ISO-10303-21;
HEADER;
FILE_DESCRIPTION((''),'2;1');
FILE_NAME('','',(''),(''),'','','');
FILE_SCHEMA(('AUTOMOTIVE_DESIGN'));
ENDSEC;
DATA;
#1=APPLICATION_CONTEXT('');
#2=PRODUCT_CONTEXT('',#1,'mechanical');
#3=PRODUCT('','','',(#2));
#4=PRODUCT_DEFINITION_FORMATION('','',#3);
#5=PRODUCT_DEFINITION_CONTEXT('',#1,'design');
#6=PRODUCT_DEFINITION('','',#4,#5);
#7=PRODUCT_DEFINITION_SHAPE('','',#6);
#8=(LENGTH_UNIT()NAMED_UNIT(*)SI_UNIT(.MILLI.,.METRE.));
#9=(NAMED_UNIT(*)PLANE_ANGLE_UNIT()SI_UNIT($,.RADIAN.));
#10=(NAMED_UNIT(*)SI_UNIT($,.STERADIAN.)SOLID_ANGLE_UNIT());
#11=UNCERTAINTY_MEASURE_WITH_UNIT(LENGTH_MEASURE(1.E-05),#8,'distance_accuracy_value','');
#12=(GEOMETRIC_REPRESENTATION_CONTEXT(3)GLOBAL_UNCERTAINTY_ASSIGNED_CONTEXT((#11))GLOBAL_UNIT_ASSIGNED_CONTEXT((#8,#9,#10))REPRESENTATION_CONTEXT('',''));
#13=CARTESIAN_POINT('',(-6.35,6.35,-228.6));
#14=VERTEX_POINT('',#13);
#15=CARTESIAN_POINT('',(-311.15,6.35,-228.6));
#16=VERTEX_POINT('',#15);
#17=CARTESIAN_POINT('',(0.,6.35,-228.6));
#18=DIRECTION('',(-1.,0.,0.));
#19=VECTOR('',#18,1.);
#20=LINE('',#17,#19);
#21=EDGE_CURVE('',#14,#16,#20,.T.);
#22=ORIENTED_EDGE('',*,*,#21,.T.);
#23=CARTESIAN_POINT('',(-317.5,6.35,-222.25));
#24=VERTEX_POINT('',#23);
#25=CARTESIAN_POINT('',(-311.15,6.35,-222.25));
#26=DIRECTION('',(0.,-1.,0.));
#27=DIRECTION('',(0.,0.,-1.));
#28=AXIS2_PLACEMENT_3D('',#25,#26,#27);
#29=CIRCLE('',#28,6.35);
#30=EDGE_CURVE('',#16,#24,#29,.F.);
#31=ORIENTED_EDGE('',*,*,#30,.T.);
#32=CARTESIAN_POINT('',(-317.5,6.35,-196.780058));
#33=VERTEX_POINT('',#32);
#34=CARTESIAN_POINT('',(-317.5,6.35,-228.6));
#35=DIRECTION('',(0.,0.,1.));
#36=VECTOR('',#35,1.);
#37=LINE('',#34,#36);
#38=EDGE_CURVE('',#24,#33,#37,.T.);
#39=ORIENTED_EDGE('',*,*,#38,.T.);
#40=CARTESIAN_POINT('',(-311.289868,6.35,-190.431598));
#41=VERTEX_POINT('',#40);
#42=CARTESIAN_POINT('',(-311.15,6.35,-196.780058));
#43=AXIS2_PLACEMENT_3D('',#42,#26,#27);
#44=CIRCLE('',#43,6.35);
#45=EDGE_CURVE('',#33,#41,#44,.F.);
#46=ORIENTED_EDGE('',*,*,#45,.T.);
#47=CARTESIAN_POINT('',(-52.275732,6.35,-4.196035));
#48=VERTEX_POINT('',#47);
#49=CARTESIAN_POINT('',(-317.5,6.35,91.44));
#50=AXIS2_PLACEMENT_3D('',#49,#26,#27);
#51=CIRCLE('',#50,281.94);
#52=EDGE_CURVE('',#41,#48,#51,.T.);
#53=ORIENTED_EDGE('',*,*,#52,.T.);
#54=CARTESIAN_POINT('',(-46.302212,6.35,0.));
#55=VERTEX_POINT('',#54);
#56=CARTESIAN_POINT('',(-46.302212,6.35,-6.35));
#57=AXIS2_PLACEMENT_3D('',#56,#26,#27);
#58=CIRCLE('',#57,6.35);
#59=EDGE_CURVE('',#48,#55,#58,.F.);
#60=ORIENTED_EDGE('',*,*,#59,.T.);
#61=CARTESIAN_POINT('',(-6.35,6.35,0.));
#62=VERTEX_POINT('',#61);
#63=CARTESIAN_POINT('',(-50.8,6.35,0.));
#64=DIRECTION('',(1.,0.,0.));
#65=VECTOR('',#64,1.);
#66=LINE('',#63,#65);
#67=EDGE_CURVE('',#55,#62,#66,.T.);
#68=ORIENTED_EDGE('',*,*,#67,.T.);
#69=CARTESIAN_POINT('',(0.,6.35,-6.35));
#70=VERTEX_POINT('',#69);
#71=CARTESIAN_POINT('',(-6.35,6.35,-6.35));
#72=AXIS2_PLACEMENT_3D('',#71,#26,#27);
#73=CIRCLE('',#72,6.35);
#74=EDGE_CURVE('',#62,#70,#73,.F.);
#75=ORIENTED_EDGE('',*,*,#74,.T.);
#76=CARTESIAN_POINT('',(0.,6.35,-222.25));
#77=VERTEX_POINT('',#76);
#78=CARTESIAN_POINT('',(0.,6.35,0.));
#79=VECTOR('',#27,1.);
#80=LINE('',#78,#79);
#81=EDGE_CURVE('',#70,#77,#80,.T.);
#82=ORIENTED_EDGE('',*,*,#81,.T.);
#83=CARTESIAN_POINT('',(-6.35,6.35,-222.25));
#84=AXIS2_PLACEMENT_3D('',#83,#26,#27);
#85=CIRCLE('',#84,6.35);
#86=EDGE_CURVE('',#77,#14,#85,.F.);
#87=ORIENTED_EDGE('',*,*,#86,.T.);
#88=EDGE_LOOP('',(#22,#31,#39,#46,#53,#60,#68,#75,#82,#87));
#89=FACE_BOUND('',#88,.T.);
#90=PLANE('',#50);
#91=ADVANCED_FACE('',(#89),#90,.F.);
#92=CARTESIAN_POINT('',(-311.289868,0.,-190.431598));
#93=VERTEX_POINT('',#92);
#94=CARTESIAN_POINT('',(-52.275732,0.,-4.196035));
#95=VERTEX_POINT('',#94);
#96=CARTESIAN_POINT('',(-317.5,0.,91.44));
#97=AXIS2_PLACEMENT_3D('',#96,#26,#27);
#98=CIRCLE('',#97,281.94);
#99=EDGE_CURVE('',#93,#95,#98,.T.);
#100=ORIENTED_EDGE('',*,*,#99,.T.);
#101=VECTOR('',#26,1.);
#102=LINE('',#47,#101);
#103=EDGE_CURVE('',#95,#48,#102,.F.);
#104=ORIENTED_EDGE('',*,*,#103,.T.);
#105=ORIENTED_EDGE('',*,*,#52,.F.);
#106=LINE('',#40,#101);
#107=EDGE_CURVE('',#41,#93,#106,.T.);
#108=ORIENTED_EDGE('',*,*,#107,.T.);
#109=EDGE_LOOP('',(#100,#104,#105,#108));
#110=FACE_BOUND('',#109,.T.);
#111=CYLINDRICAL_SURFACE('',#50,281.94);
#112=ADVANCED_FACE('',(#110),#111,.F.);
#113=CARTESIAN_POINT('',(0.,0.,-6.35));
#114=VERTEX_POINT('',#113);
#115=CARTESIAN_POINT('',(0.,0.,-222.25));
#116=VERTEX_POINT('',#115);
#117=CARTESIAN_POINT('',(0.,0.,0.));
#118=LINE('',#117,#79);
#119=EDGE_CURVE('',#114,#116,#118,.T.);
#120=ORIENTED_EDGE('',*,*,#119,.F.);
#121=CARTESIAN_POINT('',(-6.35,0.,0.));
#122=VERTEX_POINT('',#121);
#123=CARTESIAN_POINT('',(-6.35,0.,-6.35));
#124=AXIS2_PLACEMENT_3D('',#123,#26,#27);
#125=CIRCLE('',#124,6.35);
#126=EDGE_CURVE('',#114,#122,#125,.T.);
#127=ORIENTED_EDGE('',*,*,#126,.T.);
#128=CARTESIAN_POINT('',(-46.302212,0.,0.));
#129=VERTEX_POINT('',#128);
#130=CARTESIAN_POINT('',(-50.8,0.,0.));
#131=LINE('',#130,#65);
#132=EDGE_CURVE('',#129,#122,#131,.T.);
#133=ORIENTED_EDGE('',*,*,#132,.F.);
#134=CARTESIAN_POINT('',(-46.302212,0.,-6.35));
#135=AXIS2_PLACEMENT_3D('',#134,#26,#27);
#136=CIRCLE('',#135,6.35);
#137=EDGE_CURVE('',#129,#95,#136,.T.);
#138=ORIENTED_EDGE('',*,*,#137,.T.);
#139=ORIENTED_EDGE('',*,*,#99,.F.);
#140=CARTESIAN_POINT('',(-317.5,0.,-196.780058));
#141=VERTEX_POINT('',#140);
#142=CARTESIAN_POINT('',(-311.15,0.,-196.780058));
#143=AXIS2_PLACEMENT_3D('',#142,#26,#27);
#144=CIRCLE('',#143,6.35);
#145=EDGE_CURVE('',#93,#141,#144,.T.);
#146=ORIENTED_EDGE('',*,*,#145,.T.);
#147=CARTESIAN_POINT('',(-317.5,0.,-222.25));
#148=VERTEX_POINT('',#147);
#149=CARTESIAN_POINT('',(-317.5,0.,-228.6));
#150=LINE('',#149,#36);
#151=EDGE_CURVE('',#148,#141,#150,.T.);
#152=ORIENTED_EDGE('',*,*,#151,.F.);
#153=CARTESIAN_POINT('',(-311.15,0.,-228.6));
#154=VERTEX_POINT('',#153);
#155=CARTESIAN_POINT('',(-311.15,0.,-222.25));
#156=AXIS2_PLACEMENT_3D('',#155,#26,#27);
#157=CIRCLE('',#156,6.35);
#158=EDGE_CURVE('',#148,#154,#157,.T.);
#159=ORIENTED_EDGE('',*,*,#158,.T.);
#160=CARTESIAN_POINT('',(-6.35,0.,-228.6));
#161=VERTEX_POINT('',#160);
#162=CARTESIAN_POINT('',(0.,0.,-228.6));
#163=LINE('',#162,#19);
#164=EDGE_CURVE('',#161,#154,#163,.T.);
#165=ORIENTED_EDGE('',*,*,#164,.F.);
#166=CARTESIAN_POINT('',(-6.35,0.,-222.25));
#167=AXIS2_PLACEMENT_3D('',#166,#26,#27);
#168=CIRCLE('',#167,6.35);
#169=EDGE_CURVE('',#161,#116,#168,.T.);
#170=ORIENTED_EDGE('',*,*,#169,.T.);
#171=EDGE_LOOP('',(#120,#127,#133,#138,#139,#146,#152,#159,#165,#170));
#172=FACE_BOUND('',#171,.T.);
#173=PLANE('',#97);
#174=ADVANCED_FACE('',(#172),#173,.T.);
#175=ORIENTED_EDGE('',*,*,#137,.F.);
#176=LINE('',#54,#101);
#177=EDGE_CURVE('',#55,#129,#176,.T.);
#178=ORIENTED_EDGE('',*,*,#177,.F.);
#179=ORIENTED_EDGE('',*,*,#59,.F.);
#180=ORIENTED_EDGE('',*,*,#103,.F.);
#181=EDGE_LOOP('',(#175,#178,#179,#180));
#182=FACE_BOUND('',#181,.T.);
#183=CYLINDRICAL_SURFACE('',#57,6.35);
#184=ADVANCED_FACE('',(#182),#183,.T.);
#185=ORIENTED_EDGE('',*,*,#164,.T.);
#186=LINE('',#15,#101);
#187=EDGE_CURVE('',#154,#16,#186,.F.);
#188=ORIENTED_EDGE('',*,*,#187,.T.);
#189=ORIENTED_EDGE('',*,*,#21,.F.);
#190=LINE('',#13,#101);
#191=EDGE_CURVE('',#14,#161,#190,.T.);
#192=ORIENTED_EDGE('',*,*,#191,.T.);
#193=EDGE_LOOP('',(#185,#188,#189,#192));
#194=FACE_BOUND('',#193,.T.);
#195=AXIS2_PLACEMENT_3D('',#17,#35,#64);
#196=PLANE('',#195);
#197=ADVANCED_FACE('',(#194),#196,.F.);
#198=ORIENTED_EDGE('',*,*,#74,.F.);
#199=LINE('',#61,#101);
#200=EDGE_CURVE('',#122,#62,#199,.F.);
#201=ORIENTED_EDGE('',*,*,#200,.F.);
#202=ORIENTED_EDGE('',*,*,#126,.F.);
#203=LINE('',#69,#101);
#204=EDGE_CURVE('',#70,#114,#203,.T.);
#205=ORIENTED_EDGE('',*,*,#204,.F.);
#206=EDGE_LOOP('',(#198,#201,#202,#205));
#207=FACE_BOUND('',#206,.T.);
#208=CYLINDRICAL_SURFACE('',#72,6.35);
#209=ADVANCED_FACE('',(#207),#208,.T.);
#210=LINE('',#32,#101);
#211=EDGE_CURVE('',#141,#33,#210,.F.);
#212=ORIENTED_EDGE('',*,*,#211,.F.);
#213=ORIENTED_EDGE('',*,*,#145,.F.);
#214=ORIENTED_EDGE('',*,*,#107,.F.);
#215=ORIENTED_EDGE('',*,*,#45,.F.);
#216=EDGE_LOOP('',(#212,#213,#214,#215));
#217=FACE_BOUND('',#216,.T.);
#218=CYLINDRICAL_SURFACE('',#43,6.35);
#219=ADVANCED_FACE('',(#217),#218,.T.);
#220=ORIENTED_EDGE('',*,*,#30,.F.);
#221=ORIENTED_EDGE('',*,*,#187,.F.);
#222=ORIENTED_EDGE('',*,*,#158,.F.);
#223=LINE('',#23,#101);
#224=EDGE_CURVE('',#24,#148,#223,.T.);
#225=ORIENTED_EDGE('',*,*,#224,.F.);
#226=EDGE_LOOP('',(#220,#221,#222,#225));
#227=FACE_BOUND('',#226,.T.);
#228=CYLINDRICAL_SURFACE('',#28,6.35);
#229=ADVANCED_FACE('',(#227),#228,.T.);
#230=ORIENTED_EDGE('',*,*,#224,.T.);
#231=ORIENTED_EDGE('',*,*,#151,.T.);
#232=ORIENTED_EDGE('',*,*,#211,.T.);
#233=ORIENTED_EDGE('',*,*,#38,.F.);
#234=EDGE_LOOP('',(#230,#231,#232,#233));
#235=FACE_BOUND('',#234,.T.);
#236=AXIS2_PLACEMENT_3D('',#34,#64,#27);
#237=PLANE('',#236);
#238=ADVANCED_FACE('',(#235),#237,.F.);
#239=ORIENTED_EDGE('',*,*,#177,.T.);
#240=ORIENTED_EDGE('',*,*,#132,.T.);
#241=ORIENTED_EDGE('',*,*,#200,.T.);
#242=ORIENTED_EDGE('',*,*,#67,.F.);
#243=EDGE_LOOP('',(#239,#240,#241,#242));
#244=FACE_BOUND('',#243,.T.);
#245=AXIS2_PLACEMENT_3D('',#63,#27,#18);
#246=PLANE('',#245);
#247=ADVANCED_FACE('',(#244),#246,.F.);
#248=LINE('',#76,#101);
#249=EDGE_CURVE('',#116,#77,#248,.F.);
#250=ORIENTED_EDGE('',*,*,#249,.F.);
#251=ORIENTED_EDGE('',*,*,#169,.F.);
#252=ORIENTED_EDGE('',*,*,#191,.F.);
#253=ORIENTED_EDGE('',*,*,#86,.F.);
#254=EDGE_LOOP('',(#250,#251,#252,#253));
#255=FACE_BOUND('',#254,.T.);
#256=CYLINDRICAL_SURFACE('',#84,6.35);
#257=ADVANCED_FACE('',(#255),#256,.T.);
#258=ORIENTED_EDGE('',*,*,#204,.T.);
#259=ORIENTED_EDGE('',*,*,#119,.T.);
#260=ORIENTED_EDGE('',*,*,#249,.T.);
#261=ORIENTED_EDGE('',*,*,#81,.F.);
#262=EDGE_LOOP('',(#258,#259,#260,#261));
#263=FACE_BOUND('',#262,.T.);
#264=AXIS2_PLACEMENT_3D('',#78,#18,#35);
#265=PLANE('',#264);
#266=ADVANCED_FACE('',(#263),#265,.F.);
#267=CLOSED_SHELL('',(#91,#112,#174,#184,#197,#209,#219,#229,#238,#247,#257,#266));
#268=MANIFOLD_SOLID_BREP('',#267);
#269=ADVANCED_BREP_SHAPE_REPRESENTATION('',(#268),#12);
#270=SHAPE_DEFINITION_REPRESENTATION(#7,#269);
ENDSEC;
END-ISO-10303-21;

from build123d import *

# Parameters (mm, degrees)
BOSS_EXTRUDE1_DEPTH = 6.35
FILLET1_R           = 6.35


with BuildPart() as part:
    # Sketch1 → Boss-Extrude1 (new body)
    with BuildSketch(Plane(origin=(0, 0, 0), x_dir=(1, 0, 0), z_dir=(0, 1, 0))):
        with BuildLine():
            Line((0, 0), (0, 228.6))
            Line((0, 228.6), (-317.5, 228.6))
            Line((-317.5, 228.6), (-317.5, 190.5))
            ThreePointArc((-317.5, 190.5), (-153.625703663, 137.984014872), (-50.8, 0))
            Line((-50.8, 0), (0, 0))
        make_face()
    extrude(amount=BOSS_EXTRUDE1_DEPTH)

    # Fillet1
    fillet1_edges = [part.edges().sort_by_distance(p)[0] for p in [
        (-50.8, 3.175, 0),
        (-317.5, 3.175, -190.5),
        (-317.5, 3.175, -228.6),
        (0, 3.175, -228.6),
        (0, 3.175, 0),
    ]]
    fillet(fillet1_edges, radius=FILLET1_R)


solid = part.part
